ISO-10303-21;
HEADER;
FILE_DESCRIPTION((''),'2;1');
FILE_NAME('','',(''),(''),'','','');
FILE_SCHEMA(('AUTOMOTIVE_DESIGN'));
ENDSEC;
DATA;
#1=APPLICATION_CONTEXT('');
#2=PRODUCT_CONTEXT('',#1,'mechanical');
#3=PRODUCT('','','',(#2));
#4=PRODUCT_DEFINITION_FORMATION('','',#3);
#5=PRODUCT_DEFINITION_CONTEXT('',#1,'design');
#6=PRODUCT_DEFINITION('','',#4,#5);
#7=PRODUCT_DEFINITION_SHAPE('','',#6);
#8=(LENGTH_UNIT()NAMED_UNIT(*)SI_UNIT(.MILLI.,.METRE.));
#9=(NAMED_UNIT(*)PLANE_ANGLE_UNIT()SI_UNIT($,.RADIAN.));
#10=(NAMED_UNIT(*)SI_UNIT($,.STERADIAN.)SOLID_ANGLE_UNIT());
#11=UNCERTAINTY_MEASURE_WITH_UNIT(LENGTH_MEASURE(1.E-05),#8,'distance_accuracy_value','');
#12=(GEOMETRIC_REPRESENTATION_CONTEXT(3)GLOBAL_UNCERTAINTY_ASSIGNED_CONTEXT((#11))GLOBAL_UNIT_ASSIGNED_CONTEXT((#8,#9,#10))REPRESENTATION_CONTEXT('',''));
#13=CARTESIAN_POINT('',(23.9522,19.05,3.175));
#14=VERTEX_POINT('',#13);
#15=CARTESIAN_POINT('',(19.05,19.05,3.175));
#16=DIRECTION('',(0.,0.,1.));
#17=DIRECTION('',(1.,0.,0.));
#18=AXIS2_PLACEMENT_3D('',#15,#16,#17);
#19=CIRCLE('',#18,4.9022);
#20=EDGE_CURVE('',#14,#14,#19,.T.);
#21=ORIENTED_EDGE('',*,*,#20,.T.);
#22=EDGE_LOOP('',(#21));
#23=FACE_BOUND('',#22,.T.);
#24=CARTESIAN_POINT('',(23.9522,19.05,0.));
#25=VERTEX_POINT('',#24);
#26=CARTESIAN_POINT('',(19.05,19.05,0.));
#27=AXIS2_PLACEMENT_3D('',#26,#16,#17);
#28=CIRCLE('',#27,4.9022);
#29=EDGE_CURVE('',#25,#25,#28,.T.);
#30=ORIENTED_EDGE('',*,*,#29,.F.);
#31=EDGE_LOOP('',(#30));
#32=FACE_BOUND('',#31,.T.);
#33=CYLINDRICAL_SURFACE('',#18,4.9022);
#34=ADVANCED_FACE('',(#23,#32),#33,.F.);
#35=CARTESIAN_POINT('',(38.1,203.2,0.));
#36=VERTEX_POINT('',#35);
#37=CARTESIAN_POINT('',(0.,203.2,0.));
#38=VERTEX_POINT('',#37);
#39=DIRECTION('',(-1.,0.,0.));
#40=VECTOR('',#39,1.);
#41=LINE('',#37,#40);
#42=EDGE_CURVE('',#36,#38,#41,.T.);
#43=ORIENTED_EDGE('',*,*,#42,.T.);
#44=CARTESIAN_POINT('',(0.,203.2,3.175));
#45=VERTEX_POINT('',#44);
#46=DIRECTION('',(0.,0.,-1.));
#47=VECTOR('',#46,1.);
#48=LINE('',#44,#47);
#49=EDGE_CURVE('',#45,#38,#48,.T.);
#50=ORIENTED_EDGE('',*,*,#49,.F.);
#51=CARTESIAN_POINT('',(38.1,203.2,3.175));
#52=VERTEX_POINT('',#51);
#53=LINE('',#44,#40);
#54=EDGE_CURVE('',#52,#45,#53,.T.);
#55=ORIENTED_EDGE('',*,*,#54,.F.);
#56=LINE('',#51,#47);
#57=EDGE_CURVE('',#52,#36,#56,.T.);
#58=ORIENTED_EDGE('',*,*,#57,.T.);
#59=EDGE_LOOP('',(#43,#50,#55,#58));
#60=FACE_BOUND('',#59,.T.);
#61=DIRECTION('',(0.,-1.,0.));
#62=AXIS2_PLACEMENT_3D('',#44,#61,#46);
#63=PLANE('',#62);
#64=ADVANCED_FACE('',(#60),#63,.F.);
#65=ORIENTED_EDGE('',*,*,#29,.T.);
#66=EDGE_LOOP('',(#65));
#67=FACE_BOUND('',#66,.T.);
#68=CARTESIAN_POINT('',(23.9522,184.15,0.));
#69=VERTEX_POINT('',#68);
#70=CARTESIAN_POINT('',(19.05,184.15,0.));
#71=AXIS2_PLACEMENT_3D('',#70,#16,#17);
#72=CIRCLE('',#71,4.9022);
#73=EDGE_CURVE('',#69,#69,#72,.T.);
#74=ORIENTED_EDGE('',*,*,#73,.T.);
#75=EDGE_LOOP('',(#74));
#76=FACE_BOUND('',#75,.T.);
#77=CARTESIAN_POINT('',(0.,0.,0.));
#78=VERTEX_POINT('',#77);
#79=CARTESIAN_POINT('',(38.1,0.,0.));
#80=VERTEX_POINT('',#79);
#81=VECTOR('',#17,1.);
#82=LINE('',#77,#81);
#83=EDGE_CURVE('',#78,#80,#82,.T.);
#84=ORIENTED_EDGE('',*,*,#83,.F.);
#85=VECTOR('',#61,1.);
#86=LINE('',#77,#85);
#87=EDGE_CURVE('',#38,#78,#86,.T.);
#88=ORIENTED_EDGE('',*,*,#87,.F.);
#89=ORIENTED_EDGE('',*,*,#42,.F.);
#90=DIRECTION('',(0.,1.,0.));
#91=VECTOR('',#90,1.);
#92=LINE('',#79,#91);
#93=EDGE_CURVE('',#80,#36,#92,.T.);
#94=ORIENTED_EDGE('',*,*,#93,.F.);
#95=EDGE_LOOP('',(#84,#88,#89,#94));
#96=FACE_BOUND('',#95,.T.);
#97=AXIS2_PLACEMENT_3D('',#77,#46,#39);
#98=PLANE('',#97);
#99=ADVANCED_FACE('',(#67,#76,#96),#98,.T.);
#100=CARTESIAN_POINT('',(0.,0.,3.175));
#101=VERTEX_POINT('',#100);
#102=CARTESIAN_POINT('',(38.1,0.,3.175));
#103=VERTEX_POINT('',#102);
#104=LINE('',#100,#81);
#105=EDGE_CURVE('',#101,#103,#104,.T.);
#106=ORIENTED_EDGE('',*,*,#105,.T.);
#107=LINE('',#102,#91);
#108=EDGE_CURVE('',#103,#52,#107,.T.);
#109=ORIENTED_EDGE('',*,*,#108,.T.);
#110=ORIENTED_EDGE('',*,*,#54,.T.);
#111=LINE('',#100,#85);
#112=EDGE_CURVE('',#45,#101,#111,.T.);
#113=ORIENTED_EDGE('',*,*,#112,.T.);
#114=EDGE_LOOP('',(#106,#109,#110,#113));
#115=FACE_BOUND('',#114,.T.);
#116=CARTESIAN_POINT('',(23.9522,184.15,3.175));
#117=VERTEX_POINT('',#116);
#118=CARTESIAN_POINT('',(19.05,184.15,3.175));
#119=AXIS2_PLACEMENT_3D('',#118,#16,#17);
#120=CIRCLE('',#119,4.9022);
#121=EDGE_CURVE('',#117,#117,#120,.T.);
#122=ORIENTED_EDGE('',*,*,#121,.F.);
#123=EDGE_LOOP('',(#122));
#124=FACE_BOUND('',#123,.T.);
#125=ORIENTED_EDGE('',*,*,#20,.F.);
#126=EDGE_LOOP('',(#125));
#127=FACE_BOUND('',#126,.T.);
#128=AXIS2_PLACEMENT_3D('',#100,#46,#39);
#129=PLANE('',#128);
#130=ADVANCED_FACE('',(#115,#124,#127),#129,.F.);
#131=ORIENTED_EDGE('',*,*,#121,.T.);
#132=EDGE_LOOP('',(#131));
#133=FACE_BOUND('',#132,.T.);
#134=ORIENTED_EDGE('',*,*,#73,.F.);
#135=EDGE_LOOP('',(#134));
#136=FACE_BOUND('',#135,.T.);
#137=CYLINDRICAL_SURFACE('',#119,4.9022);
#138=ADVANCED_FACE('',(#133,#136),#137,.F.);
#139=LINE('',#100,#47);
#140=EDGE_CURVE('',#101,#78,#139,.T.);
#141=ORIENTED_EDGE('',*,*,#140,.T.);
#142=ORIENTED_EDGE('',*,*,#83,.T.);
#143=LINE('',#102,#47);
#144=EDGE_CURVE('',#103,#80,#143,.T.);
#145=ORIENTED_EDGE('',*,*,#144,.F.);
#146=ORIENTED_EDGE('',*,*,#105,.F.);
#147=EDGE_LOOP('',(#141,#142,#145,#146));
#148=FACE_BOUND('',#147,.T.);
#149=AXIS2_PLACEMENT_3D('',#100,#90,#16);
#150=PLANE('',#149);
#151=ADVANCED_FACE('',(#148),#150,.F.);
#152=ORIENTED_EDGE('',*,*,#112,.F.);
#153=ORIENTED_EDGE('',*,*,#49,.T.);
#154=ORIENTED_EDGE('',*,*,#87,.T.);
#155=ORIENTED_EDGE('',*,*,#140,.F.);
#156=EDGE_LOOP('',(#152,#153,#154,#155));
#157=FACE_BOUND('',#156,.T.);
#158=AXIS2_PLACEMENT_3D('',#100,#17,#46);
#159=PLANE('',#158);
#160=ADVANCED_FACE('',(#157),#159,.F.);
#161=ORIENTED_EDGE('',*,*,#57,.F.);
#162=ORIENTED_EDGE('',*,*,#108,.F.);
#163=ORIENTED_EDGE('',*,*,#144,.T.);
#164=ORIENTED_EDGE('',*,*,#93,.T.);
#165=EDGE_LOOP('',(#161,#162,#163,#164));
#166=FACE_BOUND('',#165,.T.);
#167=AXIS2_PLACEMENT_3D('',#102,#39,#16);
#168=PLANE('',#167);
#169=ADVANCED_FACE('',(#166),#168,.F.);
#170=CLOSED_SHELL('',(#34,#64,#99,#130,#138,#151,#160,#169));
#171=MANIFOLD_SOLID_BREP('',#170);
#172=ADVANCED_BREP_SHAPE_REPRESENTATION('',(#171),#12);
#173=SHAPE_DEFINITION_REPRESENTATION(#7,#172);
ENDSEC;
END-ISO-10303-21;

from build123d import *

# Parameters (mm, degrees)
SKETCH1_W                = 38.1
SKETCH1_H                = 203.2
BOSS_EXTRUDE1_DEPTH      = 3.175
W_0_386_DIAMETER_HOLE1_D = 9.8044


with BuildPart() as part:
    # Sketch1 → Boss-Extrude1 (new body)
    with BuildSketch(Plane.XY):
        with Locations((19.05, 101.6)):
            Rectangle(SKETCH1_W, SKETCH1_H)
    extrude(amount=BOSS_EXTRUDE1_DEPTH)

    # W (0.386) Diameter Hole1 (through all)
    with Locations(Plane.XY.offset(3.175)):
        with Locations((19.05, 184.15), (19.05, 19.05)):
            Hole(W_0_386_DIAMETER_HOLE1_D / 2)


solid = part.part
